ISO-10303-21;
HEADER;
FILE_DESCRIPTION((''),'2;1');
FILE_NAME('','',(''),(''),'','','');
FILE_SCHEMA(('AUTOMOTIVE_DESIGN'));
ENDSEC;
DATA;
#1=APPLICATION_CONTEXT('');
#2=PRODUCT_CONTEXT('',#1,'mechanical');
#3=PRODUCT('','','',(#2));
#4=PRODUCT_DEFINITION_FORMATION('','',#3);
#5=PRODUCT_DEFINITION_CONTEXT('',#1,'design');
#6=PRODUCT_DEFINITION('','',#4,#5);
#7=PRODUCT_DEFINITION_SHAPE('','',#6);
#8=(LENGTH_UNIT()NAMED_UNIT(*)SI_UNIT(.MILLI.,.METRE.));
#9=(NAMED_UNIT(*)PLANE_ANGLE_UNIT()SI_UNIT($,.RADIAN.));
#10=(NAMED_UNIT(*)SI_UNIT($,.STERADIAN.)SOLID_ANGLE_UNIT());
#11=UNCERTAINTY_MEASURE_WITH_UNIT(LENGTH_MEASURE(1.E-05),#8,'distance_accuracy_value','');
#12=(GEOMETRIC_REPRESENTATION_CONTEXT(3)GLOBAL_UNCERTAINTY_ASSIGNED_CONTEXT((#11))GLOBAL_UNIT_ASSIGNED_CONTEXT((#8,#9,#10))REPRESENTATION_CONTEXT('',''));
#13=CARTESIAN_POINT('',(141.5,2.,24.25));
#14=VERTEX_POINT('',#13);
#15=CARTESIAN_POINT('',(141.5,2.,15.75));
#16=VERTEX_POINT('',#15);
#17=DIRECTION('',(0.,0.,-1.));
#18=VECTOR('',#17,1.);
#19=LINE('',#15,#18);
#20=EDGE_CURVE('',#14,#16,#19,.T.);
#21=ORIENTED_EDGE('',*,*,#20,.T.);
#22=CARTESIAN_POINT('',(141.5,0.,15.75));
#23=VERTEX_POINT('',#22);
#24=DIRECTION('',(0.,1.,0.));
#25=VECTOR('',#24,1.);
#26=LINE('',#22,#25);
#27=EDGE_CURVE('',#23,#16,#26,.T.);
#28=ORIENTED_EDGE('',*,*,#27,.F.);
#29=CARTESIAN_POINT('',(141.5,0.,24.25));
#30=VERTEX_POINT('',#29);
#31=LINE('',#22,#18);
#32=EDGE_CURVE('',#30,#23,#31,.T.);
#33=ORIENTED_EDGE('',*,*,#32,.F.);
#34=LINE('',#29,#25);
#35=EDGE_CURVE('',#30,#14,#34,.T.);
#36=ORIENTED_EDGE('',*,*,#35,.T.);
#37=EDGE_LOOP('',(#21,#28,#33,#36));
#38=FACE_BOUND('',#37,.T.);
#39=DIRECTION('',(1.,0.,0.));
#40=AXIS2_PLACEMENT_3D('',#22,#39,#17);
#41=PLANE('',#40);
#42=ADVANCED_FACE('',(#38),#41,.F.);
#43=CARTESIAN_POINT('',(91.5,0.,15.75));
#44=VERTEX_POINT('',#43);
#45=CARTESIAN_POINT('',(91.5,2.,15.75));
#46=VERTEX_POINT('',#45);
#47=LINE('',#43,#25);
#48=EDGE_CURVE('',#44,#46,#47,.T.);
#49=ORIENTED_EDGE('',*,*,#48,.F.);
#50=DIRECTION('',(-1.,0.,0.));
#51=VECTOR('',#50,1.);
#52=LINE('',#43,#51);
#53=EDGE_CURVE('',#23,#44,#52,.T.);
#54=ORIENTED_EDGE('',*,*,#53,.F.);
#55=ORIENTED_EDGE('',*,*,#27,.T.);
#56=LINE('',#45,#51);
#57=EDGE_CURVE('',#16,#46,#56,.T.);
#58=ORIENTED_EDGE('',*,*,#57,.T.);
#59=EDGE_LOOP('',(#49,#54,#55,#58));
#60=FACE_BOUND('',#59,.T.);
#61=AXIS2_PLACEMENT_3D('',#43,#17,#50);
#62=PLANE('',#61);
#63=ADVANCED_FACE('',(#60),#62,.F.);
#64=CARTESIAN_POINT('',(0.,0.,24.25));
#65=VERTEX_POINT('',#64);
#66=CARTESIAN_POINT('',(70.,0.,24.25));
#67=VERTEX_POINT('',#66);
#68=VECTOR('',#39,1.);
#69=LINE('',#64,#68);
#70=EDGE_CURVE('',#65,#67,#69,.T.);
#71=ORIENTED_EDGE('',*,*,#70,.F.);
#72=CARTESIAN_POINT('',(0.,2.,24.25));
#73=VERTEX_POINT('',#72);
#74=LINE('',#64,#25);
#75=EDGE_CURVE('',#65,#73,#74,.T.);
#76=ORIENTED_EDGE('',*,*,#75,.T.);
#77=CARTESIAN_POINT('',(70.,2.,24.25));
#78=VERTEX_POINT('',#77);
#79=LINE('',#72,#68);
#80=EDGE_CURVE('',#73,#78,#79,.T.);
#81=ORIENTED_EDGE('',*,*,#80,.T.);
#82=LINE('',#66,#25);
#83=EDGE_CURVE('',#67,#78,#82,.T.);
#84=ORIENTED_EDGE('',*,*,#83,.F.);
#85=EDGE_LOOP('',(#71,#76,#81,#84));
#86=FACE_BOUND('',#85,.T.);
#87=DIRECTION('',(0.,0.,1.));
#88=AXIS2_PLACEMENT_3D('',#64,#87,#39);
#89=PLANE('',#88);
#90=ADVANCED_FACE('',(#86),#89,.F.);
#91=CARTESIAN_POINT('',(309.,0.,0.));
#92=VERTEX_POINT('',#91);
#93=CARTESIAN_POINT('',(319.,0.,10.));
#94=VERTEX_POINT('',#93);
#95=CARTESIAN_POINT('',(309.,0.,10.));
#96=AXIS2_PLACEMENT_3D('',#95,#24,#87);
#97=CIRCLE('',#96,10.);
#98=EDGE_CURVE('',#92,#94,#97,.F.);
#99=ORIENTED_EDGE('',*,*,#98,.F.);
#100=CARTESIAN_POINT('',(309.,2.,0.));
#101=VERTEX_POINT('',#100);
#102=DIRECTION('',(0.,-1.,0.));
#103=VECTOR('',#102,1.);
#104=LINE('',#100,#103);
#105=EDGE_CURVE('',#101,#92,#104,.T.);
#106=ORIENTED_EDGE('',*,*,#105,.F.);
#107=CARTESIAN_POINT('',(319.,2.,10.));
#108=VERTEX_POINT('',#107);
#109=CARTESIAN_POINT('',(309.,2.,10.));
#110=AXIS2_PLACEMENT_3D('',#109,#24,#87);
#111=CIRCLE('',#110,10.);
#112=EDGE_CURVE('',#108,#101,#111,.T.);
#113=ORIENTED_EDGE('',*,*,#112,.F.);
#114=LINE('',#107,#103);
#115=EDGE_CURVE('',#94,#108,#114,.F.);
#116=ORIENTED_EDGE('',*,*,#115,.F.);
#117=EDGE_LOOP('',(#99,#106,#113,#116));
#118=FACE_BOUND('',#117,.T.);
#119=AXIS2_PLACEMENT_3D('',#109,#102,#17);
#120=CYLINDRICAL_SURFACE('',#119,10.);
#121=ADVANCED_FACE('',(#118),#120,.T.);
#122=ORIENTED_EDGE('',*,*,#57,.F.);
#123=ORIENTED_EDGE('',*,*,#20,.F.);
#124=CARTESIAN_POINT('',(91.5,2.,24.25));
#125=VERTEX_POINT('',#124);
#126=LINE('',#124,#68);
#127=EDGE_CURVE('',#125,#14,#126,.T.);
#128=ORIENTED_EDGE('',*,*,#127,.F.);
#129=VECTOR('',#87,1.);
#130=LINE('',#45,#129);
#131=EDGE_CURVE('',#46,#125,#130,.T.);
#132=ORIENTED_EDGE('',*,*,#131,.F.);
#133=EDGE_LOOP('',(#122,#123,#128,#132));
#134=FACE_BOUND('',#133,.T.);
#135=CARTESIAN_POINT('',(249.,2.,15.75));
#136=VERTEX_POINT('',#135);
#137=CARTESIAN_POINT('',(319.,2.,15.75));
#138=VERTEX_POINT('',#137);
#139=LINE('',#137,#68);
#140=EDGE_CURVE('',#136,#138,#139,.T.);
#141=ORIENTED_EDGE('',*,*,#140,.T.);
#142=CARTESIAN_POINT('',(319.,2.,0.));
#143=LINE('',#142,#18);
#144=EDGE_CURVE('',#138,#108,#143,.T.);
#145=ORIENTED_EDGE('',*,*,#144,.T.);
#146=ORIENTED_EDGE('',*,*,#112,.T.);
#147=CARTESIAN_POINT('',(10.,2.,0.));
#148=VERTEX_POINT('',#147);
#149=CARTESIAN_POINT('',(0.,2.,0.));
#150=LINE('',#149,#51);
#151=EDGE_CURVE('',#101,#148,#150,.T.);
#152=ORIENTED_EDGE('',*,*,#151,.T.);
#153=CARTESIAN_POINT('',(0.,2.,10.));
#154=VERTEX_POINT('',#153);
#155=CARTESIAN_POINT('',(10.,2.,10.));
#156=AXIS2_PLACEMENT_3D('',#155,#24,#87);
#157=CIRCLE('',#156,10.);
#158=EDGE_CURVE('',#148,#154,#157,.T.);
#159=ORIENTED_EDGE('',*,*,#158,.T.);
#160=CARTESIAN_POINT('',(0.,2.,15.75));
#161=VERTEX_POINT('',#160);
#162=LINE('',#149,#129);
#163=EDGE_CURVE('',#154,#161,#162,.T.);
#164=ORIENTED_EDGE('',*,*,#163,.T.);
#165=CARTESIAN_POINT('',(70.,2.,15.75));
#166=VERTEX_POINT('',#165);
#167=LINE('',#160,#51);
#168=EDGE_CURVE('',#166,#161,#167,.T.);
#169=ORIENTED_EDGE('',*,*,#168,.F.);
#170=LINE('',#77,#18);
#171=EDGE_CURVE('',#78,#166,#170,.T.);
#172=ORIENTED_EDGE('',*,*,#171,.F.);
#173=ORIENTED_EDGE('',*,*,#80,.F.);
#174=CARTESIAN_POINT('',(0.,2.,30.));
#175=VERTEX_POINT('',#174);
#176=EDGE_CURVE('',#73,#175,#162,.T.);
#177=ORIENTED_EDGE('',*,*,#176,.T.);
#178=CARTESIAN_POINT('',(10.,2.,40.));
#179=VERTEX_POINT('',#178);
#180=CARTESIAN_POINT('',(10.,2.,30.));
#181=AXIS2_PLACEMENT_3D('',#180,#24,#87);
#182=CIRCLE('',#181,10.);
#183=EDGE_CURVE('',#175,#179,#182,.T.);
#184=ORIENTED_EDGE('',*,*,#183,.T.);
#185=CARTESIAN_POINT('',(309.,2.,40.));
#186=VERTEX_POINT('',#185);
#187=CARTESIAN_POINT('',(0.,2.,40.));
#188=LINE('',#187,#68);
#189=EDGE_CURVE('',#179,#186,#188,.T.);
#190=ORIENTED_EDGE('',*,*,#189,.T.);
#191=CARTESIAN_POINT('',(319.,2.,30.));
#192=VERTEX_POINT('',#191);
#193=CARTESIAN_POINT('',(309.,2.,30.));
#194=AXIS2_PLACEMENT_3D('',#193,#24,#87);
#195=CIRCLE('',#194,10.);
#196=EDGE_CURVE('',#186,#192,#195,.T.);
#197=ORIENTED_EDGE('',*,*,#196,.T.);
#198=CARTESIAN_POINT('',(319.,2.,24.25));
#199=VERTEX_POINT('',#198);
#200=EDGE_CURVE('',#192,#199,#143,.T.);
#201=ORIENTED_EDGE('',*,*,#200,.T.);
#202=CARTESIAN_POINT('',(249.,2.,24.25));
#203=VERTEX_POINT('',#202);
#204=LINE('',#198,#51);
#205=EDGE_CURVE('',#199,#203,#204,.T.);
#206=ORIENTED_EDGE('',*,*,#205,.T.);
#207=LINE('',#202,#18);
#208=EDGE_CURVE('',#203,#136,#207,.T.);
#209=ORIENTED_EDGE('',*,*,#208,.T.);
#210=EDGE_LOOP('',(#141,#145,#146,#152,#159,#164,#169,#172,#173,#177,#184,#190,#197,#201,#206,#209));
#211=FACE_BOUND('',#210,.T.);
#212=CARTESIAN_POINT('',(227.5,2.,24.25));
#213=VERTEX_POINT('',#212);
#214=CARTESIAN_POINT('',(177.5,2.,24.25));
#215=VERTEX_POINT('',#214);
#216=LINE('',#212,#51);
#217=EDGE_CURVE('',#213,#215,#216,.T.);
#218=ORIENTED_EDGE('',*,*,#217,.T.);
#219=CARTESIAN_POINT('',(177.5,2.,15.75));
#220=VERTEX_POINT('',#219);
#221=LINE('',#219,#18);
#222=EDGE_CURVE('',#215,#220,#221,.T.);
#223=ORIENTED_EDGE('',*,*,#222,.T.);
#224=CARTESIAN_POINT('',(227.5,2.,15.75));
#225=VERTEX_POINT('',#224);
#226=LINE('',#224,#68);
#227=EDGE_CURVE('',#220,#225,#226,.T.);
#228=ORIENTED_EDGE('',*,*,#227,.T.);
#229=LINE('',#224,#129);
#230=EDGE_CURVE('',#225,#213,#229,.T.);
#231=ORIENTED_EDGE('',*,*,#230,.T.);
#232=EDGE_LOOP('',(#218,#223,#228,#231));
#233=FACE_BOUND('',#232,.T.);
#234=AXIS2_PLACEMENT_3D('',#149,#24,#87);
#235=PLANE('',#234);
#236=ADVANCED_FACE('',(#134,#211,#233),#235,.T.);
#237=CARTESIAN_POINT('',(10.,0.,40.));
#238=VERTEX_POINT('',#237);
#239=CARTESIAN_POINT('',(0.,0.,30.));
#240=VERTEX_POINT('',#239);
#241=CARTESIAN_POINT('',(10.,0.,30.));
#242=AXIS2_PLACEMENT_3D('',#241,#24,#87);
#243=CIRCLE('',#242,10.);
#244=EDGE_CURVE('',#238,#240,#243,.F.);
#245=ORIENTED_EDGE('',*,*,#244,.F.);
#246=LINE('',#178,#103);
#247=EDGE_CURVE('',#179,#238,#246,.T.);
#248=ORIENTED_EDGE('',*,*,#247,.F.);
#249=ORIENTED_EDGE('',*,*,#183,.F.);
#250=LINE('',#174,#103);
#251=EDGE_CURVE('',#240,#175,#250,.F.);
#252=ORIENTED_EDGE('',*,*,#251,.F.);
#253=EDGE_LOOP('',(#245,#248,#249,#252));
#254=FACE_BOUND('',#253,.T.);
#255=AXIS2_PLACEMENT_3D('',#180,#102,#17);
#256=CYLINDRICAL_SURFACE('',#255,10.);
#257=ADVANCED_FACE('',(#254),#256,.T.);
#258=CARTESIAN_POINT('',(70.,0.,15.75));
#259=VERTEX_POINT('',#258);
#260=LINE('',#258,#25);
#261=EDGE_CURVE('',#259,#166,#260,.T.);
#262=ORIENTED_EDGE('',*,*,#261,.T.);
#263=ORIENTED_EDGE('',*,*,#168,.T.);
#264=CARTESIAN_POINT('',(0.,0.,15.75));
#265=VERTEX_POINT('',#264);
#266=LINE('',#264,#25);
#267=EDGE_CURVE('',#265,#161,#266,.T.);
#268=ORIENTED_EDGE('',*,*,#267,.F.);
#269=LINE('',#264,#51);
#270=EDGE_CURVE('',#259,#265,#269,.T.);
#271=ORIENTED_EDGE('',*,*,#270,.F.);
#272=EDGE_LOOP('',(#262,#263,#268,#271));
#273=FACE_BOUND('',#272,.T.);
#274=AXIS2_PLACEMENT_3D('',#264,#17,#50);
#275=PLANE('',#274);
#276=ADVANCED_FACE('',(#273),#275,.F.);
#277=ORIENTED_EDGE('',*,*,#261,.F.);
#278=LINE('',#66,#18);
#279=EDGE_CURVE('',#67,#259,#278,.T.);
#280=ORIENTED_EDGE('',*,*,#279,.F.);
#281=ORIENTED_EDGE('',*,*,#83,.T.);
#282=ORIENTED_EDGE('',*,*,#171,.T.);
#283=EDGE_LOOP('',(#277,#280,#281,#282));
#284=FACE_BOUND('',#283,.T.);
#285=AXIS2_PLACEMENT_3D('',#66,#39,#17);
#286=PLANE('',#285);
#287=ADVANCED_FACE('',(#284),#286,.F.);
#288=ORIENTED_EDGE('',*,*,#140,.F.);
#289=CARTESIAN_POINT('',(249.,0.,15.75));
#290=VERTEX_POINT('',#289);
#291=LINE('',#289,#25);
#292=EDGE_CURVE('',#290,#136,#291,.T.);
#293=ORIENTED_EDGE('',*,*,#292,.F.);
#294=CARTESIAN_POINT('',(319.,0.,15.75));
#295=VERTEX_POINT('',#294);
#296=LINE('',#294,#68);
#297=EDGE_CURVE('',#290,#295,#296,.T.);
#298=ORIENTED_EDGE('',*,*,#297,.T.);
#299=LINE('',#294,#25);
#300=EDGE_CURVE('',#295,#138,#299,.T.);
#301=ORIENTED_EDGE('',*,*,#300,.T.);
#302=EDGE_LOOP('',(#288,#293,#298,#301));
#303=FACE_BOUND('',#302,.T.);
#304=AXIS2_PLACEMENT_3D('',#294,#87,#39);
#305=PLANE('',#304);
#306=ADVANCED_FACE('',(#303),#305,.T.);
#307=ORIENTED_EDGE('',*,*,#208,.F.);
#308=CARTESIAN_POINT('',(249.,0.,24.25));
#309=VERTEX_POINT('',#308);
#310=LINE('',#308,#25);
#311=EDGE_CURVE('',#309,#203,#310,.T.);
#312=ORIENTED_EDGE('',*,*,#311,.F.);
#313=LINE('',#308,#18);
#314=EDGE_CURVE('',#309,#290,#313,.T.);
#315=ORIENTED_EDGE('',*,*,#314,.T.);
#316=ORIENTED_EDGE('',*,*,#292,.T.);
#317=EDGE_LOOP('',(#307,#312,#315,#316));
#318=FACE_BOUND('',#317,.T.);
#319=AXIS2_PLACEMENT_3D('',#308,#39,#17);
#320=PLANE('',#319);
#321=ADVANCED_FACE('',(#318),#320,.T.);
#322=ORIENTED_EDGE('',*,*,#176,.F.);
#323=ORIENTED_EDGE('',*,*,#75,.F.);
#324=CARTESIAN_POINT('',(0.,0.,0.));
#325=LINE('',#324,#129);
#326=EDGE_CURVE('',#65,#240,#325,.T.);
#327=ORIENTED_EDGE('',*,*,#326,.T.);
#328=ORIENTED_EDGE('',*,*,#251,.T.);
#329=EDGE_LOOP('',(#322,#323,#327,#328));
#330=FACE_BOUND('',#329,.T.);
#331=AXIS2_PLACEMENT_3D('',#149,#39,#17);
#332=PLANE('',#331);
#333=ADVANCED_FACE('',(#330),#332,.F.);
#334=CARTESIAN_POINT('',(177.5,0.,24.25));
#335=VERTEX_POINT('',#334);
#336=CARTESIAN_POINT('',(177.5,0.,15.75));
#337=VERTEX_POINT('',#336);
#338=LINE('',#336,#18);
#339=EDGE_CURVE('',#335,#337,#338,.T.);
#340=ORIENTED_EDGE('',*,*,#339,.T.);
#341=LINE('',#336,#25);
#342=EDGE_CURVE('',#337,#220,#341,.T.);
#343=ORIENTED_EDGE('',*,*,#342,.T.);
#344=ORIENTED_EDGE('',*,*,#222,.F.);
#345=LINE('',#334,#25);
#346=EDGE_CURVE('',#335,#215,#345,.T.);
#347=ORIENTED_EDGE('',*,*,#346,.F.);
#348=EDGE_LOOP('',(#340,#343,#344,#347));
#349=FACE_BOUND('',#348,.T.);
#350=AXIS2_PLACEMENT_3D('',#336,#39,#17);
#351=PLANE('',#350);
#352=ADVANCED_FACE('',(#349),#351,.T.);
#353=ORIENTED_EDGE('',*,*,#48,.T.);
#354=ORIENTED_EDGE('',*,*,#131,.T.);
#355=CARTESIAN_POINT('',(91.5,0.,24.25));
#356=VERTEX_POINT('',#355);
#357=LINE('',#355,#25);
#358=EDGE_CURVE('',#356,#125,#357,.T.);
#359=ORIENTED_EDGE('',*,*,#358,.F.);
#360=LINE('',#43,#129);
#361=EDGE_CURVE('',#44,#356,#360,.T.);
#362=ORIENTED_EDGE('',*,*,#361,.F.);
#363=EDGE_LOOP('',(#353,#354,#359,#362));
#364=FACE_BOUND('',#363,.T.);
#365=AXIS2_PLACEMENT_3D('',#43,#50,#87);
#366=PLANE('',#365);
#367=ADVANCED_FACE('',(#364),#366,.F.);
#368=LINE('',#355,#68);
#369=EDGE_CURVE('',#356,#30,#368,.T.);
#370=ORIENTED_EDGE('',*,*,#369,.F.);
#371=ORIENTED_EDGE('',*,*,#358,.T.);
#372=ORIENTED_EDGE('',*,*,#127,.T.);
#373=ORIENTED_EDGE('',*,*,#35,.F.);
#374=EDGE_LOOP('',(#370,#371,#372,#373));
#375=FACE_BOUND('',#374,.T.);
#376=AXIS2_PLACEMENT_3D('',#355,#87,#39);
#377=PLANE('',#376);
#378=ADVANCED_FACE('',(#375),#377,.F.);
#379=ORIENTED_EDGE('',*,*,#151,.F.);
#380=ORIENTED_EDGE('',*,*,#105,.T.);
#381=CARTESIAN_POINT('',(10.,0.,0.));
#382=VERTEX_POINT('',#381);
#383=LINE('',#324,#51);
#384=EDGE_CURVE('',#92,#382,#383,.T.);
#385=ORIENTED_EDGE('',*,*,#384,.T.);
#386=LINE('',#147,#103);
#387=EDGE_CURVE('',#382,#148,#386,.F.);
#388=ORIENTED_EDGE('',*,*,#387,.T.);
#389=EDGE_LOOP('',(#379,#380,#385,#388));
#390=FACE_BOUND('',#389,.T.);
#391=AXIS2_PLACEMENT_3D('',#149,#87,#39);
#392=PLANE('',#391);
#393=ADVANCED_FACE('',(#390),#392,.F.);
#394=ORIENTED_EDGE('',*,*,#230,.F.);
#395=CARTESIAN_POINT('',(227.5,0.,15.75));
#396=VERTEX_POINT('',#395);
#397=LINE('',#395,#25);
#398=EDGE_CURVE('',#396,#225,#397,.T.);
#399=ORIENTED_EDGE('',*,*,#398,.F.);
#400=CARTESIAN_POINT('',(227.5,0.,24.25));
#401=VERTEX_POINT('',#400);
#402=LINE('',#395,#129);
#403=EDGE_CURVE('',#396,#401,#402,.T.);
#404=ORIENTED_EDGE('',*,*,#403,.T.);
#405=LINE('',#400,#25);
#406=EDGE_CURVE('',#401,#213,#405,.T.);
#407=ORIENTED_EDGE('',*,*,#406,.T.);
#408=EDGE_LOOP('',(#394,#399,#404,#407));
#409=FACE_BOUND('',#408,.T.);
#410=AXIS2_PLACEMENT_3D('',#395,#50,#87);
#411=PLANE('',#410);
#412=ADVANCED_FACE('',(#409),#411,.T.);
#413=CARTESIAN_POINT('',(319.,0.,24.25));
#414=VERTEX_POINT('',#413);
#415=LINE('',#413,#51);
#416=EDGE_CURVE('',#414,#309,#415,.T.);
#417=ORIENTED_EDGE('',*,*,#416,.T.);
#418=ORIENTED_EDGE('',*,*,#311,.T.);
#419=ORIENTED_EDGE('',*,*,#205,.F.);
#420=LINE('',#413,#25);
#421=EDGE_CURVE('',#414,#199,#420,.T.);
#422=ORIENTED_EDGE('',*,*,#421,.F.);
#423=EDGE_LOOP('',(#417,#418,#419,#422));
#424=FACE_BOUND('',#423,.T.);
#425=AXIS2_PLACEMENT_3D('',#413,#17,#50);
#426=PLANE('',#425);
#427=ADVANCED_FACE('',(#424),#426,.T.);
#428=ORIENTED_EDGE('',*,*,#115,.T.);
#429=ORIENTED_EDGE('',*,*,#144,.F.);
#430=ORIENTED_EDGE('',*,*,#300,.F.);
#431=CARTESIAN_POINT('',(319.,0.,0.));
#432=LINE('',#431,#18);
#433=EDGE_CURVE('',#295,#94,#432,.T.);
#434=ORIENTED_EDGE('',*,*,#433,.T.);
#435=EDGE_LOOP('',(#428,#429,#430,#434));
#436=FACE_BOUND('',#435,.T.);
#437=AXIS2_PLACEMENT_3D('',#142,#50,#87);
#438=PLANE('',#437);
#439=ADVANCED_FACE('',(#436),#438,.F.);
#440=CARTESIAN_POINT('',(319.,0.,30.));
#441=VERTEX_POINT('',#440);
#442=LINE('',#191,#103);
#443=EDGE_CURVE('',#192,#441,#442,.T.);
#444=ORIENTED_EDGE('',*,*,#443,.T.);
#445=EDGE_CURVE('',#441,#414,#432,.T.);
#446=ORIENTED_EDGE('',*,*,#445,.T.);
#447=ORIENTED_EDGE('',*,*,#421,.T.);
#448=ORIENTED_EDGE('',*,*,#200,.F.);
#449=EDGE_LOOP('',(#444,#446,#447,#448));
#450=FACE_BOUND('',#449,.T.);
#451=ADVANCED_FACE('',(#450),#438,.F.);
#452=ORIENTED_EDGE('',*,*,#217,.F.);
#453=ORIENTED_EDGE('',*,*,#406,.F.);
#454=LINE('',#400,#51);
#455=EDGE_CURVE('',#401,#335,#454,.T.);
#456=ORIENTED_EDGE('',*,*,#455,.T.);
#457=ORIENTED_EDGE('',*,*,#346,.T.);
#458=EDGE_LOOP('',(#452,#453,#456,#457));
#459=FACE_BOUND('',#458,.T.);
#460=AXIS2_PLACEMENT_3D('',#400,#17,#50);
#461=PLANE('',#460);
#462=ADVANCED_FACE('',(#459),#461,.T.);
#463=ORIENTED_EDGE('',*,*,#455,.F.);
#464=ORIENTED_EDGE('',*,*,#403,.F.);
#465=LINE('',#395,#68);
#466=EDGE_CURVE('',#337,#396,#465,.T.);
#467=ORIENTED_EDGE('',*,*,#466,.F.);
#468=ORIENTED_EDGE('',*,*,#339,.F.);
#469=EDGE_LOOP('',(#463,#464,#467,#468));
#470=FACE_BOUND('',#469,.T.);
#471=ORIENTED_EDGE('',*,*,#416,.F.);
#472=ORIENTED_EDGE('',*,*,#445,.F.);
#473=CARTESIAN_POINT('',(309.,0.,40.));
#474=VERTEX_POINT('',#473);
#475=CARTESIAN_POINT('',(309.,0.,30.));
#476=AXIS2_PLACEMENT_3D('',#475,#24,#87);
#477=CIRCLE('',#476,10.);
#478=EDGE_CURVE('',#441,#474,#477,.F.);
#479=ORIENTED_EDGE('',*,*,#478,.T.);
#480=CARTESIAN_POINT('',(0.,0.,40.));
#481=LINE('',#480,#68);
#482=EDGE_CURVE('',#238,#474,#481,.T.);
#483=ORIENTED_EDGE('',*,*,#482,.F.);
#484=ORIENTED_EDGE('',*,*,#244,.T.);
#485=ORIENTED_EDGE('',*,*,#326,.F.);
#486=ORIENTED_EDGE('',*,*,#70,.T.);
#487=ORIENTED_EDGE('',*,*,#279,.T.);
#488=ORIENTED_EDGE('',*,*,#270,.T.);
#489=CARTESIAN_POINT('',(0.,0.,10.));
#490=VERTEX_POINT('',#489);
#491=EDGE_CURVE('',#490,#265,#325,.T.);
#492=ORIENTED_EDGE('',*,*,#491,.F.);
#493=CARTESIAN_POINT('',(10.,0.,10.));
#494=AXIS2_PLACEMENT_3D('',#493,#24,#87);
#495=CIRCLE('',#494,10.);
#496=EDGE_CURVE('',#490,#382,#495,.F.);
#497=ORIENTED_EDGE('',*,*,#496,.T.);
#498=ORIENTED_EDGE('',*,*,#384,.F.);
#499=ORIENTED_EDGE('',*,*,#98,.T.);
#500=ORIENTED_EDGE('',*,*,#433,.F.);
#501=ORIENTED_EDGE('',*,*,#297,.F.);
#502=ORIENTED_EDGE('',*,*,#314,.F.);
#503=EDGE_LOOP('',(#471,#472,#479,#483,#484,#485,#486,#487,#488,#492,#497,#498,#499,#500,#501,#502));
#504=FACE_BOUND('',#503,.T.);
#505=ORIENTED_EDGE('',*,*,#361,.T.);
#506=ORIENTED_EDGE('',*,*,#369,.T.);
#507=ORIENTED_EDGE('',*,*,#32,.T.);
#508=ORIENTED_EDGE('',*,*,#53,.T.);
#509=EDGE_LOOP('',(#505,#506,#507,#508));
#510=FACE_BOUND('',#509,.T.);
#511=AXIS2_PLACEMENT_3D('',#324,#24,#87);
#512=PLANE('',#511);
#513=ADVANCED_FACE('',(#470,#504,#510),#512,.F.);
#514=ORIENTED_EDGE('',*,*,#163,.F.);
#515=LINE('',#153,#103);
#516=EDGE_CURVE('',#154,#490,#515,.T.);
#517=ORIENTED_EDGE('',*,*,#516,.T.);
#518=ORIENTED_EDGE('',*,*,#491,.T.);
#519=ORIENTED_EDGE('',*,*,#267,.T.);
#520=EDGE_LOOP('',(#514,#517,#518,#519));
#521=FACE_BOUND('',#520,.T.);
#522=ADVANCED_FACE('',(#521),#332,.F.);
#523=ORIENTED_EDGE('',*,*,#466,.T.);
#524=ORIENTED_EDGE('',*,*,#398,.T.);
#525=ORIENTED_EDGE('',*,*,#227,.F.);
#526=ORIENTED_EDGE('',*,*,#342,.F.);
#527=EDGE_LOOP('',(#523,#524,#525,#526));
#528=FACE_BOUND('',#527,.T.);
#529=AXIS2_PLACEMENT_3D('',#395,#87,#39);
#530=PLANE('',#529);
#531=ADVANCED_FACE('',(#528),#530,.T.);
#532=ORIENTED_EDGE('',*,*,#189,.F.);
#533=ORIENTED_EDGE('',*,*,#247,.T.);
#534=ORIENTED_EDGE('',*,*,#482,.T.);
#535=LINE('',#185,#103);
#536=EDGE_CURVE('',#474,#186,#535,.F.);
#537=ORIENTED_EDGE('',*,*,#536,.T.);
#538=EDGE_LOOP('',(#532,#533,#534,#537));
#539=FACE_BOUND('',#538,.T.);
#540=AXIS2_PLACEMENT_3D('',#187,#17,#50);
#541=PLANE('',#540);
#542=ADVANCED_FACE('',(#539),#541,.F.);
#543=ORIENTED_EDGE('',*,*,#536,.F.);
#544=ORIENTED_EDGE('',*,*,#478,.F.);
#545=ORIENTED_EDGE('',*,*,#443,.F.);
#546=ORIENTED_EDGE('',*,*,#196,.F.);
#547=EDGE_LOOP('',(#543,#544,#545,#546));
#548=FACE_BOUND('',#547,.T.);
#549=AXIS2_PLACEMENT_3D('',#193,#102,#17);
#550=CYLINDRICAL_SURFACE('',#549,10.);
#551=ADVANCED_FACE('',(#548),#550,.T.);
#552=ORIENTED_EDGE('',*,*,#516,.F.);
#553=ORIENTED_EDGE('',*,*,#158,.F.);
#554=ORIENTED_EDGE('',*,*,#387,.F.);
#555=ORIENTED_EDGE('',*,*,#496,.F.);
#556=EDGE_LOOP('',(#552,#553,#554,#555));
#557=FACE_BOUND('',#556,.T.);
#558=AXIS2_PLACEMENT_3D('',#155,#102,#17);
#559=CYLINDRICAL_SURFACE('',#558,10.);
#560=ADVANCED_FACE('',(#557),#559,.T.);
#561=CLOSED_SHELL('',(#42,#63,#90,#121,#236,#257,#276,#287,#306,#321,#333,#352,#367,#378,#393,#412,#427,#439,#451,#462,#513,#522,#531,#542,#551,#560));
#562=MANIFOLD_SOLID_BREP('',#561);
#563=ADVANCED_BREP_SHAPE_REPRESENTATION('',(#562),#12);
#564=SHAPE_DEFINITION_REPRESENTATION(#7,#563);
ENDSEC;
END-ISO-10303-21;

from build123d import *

# Parameters (mm, degrees)
SKETCH1_W           = 319
SKETCH1_H           = 40
BOSS_EXTRUDE1_DEPTH = 2
SKETCH2_W           = 70
SKETCH2_H           = 8.5
CUT_EXTRUDE1_DEPTH  = 3
SKETCH3_W           = 50
SKETCH3_H           = 8.5
CUT_EXTRUDE2_DEPTH  = 3
FILLET1_R           = 10


with BuildPart() as part:
    # Sketch1 → Boss-Extrude1 (new body)
    with BuildSketch(Plane(origin=(0, 0, 0), x_dir=(1, 0, 0), z_dir=(0, 1, 0))):
        with Locations((159.5, -20)):
            Rectangle(SKETCH1_W, SKETCH1_H)
    extrude(amount=BOSS_EXTRUDE1_DEPTH)

    # Sketch2 → Cut-Extrude1 (cut, through all)
    with BuildSketch(Plane(origin=(0, 2, 0), x_dir=(1, 0, 0), z_dir=(0, 1, 0))):
        with Locations((35, -20)):
            Rectangle(SKETCH2_W, SKETCH2_H)
    cut_extrude1 = extrude(amount=-CUT_EXTRUDE1_DEPTH, mode=Mode.SUBTRACT)

    # Sketch3 → Cut-Extrude2 (cut, through all)
    with BuildSketch(Plane(origin=(0, 2, 0), x_dir=(1, 0, 0), z_dir=(0, 1, 0))):
        with Locations((116.5, -20)):
            Rectangle(SKETCH3_W, SKETCH3_H)
    cut_extrude2 = extrude(amount=-CUT_EXTRUDE2_DEPTH, mode=Mode.SUBTRACT)

    # Mirror1: Cut-Extrude1, Cut-Extrude2 across plane
    add(cut_extrude1.mirror(Plane.ZY.offset(-159.5)), mode=Mode.SUBTRACT)
    add(cut_extrude2.mirror(Plane.ZY.offset(-159.5)), mode=Mode.SUBTRACT)

    # Fillet1
    fillet1_edges = [part.edges().sort_by_distance(p)[0] for p in [
        (0, 1, 0),
        (319, 1, 0),
        (319, 1, 40),
        (0, 1, 40),
    ]]
    fillet(fillet1_edges, radius=FILLET1_R)


solid = part.part
